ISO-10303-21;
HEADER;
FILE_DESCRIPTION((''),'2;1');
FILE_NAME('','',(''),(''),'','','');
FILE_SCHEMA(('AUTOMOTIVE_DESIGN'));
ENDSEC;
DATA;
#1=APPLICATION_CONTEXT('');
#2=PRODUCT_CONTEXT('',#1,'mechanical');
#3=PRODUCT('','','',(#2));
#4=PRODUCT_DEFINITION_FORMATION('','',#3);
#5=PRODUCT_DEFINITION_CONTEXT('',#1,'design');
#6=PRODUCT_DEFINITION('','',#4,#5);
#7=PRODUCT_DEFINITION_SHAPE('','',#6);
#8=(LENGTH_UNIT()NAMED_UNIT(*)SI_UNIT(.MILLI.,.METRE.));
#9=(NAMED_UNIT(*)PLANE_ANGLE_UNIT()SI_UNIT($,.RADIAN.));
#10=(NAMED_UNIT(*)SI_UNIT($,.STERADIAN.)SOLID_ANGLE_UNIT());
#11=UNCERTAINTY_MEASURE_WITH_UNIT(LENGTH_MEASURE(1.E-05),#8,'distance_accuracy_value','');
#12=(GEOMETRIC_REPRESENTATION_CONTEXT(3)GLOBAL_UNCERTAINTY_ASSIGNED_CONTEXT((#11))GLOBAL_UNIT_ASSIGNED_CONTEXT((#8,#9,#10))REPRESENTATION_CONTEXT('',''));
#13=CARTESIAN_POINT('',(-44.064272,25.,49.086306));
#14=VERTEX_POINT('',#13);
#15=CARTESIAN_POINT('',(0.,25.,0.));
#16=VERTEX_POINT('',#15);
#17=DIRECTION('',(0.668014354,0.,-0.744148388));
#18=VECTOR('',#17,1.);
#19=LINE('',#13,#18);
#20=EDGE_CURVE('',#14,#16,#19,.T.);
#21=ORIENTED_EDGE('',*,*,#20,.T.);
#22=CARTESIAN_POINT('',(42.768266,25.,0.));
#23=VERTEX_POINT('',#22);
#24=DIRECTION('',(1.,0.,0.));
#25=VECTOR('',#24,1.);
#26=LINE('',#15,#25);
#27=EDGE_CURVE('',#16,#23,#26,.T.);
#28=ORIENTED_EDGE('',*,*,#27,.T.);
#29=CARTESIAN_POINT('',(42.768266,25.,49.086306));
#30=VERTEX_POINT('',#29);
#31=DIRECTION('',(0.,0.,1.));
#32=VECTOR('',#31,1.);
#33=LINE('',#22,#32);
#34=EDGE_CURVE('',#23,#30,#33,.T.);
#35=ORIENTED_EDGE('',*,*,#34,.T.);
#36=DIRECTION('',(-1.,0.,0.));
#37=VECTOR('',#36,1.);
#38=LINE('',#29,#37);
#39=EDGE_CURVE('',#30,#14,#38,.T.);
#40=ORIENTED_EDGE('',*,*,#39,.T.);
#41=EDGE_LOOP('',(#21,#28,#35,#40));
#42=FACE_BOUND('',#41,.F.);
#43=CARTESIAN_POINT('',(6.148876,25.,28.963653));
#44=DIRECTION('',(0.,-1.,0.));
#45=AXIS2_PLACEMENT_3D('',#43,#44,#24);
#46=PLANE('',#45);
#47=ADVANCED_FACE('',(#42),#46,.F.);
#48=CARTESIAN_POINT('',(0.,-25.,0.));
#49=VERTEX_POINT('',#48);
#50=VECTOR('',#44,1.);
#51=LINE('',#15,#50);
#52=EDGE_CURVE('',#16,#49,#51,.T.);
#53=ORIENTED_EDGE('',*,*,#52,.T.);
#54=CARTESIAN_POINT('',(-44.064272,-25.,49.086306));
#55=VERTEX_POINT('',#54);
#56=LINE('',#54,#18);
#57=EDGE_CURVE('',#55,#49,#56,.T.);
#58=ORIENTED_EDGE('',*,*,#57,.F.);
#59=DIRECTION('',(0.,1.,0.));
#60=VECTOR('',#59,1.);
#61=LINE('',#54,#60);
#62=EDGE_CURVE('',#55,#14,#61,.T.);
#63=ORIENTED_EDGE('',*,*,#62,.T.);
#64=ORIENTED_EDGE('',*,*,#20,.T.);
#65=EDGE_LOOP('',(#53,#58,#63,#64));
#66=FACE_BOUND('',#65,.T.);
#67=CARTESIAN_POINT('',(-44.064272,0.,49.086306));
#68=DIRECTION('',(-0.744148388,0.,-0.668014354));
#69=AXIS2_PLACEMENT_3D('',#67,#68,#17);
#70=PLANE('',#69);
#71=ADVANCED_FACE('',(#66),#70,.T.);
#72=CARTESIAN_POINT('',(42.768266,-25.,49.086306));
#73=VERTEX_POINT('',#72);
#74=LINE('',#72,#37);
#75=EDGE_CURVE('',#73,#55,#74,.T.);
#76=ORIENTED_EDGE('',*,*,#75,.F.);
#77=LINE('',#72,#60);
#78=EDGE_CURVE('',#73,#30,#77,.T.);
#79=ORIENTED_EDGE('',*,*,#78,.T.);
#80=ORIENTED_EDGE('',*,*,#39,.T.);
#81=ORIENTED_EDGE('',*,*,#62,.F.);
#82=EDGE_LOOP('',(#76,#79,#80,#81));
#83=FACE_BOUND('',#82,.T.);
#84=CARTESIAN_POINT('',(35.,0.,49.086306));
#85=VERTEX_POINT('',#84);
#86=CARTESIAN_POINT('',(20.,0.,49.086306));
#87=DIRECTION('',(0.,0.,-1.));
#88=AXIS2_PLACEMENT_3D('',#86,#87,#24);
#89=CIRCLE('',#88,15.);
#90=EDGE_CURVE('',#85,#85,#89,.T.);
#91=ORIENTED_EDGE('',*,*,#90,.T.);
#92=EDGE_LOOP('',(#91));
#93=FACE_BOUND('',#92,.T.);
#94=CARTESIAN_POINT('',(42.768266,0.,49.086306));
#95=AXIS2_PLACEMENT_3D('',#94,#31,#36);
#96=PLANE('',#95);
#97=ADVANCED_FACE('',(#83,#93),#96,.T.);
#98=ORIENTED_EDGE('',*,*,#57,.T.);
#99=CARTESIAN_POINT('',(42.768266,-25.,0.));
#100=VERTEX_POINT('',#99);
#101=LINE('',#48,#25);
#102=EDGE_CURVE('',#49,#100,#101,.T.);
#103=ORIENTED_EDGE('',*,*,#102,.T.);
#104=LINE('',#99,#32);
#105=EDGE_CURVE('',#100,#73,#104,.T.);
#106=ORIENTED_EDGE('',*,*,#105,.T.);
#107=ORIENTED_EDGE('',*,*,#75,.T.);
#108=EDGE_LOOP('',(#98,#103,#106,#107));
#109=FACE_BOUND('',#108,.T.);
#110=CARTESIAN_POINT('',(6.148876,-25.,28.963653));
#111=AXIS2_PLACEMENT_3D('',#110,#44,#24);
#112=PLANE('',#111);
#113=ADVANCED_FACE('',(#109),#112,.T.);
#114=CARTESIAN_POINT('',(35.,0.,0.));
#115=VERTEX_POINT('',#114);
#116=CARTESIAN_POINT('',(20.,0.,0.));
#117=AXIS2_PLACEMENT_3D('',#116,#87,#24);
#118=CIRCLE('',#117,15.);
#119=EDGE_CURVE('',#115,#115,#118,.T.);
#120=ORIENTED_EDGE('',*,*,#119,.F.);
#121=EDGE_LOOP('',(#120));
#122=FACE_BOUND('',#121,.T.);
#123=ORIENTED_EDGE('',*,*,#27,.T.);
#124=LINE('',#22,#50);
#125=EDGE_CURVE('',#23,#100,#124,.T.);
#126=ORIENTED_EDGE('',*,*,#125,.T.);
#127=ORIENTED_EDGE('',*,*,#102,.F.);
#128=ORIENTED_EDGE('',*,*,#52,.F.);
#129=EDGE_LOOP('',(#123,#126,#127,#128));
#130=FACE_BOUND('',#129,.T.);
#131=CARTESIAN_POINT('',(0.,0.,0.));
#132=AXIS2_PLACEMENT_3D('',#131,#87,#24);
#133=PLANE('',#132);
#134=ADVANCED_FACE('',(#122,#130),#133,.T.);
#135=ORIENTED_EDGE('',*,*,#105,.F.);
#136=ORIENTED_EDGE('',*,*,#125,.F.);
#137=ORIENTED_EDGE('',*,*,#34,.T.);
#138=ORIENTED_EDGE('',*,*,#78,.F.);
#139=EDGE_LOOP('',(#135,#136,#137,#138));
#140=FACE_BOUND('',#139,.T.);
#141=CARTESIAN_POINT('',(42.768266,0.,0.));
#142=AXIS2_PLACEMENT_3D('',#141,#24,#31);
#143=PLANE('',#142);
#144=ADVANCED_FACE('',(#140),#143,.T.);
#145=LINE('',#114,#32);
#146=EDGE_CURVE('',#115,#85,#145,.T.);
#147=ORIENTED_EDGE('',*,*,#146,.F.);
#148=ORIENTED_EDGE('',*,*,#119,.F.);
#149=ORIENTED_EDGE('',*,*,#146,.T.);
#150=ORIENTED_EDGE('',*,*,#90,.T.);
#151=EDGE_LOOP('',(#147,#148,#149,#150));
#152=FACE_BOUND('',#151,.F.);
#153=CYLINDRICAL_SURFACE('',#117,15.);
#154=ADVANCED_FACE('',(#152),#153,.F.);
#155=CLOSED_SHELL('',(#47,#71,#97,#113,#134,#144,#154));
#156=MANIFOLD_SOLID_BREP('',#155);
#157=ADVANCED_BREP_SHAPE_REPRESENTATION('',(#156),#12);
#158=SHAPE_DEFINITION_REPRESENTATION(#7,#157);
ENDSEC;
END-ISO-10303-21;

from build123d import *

# Parameters (mm, degrees)
F1_DEPTH = 25
F2_R     = 15
F3_DEPTH = 49.087306


with BuildPart() as f1:
    # F0 (on Front) → F1 (new body, symmetric)
    with BuildSketch(Plane.XZ):
        Polygon((-44.064272, 49.086306), (0, 0), (42.768266, 0), (42.768266, 49.086306), align=None)
    extrude(amount=F1_DEPTH, both=True)

    # F2 (on face) → F3 (cut, through all)
    with BuildSketch(Plane(origin=(0, 0, 0), x_dir=(1, 0, 0), z_dir=(0, 0, -1))):
        with Locations((20, 0)):
            Circle(F2_R)
    extrude(amount=-F3_DEPTH, mode=Mode.SUBTRACT)


solid = f1.part
